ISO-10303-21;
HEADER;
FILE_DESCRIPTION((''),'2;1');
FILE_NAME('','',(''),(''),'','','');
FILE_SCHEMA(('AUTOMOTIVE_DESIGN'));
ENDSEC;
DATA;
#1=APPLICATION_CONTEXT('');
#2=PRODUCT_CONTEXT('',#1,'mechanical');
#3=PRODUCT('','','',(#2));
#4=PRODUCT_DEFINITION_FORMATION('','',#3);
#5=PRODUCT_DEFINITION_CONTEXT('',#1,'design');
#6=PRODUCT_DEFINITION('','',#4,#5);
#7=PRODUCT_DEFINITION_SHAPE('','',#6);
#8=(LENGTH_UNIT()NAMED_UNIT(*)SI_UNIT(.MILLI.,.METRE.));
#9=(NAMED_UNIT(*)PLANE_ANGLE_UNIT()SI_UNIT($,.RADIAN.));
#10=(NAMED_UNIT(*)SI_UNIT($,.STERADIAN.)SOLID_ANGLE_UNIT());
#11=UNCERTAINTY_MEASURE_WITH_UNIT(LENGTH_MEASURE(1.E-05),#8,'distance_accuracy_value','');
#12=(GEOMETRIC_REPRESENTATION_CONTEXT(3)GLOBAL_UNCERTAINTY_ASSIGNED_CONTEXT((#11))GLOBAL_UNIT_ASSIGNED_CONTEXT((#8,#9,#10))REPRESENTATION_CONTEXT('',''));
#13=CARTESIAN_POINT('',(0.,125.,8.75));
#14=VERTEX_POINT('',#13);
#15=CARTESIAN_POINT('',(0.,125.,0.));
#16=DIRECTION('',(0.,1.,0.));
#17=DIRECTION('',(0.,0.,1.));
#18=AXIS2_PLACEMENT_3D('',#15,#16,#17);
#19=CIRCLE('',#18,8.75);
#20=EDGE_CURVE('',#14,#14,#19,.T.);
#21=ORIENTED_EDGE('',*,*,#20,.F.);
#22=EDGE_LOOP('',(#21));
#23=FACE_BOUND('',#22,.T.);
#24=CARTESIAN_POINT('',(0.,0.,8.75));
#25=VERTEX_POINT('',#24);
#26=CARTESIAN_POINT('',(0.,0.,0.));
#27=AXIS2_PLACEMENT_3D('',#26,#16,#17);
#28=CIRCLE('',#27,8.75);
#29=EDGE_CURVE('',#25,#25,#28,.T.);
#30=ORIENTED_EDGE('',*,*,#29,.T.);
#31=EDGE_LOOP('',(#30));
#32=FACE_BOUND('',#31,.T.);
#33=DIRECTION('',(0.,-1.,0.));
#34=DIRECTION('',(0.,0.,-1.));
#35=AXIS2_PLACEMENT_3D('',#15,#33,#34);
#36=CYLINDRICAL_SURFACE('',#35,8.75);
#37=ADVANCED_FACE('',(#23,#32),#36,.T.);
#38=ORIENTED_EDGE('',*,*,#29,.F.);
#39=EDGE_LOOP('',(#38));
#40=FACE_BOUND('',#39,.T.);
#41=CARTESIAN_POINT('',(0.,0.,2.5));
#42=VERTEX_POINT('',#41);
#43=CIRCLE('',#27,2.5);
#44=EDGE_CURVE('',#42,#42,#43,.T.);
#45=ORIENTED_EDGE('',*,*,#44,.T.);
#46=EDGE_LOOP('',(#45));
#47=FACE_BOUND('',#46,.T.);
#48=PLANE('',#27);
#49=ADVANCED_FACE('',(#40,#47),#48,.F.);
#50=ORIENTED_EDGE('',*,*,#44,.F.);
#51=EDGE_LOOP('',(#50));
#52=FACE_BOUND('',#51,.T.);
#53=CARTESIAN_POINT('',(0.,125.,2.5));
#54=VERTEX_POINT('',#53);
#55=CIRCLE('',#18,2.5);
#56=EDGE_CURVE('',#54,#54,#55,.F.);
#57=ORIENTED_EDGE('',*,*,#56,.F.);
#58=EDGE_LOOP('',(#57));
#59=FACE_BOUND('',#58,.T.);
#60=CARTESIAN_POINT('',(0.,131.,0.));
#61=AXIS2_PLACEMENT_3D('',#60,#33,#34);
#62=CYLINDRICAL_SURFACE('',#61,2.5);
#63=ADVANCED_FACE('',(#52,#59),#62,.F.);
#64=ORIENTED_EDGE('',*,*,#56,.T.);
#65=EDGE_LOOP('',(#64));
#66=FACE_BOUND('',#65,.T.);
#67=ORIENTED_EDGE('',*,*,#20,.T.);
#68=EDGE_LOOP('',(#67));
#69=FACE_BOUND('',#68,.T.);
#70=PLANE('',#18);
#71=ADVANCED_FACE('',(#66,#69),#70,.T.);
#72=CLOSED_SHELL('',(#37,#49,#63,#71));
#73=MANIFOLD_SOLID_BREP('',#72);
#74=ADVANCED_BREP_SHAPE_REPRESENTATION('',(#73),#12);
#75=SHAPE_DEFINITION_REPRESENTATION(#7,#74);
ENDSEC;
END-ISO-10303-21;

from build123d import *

# Parameters (mm, degrees)
SKETCH1_R           = 8.75
BOSS_EXTRUDE1_DEPTH = 125
SKETCH2_R           = 2.5
CUT_EXTRUDE1_DEPTH  = 131


with BuildPart() as part:
    # Sketch1 → Boss-Extrude1 (new body)
    with BuildSketch(Plane(origin=(0, 0, 0), x_dir=(1, 0, 0), z_dir=(0, 1, 0))):
        with Locations(Location((0, 0, 0), (0, 0, 270))):
            Circle(SKETCH1_R)
    extrude(amount=BOSS_EXTRUDE1_DEPTH)

    # Sketch2 → Cut-Extrude1 (cut)
    with BuildSketch(Plane(origin=(0, 0, 0), x_dir=(1, 0, 0), z_dir=(0, 1, 0))):
        with Locations(Location((0, 0, 0), (0, 0, 270))):
            Circle(SKETCH2_R)
    extrude(amount=CUT_EXTRUDE1_DEPTH, mode=Mode.SUBTRACT)


solid = part.part
